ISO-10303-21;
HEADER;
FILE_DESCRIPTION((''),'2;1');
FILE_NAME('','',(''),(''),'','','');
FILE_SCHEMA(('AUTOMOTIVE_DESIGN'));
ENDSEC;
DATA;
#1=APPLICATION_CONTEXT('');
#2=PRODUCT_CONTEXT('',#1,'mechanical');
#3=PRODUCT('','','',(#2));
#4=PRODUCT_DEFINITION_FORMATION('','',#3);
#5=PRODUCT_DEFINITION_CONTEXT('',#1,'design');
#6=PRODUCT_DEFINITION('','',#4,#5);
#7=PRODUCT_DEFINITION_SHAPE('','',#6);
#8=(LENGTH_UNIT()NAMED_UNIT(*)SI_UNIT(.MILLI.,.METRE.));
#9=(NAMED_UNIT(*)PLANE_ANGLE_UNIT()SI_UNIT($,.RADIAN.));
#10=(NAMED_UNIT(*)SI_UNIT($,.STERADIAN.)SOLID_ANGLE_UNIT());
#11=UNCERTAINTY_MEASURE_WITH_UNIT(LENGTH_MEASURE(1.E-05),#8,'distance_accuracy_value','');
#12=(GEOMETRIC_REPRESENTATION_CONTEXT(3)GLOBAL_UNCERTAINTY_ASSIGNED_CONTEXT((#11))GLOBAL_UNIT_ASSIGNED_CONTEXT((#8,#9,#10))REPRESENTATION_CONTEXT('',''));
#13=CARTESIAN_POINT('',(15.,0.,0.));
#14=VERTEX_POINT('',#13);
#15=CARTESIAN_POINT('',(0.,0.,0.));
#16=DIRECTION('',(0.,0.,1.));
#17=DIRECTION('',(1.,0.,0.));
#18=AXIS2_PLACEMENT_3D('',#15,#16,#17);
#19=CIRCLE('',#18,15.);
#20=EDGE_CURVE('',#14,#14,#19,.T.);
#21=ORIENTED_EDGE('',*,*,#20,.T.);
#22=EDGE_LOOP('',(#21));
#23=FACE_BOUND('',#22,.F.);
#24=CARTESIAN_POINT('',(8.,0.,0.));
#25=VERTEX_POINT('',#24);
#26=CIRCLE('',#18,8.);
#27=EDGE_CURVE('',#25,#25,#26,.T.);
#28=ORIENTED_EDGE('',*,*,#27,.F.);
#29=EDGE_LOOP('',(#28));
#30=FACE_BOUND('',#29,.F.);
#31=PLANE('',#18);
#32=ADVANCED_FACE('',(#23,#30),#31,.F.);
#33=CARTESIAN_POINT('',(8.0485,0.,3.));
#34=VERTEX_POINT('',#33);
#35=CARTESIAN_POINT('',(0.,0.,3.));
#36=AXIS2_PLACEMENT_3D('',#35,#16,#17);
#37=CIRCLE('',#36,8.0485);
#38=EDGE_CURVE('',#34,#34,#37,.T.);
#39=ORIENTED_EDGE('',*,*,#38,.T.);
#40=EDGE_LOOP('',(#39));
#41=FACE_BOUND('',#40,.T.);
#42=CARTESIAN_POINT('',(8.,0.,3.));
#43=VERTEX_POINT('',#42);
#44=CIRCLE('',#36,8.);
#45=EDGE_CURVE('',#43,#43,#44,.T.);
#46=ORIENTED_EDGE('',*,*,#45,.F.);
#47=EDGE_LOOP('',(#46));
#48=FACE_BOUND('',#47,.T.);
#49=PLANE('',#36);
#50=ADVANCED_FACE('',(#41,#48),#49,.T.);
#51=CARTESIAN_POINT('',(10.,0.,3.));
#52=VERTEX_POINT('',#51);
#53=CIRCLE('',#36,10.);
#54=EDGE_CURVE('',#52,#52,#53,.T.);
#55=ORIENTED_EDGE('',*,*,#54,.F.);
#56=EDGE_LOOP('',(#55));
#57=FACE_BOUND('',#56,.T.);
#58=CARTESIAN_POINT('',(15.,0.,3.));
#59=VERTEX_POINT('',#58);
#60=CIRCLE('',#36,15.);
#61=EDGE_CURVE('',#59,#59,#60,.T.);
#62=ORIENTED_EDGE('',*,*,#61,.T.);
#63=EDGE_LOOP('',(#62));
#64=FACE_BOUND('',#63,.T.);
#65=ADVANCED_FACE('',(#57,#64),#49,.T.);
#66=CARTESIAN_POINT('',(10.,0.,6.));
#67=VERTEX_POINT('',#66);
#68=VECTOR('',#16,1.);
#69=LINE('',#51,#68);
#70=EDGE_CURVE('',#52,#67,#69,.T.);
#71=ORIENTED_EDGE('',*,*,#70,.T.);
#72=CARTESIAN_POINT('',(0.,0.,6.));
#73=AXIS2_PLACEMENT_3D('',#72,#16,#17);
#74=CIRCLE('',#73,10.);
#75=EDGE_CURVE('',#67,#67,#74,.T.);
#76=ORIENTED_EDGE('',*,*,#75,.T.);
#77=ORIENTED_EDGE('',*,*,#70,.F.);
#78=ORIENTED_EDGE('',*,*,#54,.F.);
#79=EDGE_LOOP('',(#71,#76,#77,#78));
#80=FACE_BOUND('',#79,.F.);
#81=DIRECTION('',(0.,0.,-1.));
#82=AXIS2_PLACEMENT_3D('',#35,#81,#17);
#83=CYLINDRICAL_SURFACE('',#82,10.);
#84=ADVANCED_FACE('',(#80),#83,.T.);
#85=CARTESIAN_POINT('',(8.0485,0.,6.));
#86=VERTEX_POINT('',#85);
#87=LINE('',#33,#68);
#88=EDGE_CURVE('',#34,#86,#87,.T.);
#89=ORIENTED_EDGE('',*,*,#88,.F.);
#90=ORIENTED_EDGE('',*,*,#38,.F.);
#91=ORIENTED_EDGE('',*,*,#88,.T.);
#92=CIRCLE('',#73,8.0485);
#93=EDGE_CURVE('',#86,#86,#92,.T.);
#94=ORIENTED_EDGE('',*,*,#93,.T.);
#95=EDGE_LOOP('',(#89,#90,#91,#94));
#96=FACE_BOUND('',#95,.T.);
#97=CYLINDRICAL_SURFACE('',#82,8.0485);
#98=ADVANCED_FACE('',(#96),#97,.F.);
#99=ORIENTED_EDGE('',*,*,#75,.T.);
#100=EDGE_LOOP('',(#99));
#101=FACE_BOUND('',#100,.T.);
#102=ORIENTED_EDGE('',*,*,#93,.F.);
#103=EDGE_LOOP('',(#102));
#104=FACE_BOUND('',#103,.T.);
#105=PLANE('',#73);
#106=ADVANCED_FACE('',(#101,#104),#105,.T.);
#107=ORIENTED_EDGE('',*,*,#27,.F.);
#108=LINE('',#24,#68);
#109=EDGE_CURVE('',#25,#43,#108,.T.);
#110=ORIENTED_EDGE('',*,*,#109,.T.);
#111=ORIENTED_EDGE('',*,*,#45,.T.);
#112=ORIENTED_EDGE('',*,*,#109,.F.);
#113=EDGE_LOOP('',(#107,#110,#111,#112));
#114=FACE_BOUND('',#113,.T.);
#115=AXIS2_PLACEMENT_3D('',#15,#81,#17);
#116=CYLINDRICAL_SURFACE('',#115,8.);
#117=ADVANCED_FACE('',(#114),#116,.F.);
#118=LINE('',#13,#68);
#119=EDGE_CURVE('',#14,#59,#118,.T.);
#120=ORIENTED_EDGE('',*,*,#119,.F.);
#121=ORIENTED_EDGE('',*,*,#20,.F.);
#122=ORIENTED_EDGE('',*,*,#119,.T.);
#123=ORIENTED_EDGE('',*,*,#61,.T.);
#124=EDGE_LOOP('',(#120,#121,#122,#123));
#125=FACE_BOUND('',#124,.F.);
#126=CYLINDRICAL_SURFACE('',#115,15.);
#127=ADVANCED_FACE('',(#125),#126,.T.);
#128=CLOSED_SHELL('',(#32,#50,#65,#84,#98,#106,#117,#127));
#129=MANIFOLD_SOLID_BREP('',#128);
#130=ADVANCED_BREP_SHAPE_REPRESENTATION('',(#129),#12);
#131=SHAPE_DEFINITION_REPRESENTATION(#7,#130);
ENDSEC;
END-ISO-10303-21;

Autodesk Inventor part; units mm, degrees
ref_plane "YZ Plane" through (0, 0, 0) normal (1, 0, 0) x (0, 1, 0)
ref_plane "XZ Plane" through (0, 0, 0) normal (0, 1, 0) x (-1, 0, 0)
ref_plane "XY Plane" through (0, 0, 0) normal (0, 0, 1) x (1, 0, 0)
sketch "Sketch1" plane through (0, 0, 0) normal (0, 0, 1) x (1, 0, 0)
  circle A0 centre (0, 0) radius 8
  circle A1 centre (0, 0) radius 15
  dimension "d0" = 16
  dimension "d1" = 30
extrude "Extrusion1" add sketch "Sketch1" along normal blind 3
sketch "Sketch2" plane through (0, 0, 3) normal (0, 0, 1) x (1, 0, 0)
  circle A0 centre (0, 0) radius 8.0485
  circle A1 centre (0, 0) radius 10
  dimension "d4" = 20
extrude "Extrusion2" add sketch "Sketch2" along normal blind 3
properties part number "bushing_1"
